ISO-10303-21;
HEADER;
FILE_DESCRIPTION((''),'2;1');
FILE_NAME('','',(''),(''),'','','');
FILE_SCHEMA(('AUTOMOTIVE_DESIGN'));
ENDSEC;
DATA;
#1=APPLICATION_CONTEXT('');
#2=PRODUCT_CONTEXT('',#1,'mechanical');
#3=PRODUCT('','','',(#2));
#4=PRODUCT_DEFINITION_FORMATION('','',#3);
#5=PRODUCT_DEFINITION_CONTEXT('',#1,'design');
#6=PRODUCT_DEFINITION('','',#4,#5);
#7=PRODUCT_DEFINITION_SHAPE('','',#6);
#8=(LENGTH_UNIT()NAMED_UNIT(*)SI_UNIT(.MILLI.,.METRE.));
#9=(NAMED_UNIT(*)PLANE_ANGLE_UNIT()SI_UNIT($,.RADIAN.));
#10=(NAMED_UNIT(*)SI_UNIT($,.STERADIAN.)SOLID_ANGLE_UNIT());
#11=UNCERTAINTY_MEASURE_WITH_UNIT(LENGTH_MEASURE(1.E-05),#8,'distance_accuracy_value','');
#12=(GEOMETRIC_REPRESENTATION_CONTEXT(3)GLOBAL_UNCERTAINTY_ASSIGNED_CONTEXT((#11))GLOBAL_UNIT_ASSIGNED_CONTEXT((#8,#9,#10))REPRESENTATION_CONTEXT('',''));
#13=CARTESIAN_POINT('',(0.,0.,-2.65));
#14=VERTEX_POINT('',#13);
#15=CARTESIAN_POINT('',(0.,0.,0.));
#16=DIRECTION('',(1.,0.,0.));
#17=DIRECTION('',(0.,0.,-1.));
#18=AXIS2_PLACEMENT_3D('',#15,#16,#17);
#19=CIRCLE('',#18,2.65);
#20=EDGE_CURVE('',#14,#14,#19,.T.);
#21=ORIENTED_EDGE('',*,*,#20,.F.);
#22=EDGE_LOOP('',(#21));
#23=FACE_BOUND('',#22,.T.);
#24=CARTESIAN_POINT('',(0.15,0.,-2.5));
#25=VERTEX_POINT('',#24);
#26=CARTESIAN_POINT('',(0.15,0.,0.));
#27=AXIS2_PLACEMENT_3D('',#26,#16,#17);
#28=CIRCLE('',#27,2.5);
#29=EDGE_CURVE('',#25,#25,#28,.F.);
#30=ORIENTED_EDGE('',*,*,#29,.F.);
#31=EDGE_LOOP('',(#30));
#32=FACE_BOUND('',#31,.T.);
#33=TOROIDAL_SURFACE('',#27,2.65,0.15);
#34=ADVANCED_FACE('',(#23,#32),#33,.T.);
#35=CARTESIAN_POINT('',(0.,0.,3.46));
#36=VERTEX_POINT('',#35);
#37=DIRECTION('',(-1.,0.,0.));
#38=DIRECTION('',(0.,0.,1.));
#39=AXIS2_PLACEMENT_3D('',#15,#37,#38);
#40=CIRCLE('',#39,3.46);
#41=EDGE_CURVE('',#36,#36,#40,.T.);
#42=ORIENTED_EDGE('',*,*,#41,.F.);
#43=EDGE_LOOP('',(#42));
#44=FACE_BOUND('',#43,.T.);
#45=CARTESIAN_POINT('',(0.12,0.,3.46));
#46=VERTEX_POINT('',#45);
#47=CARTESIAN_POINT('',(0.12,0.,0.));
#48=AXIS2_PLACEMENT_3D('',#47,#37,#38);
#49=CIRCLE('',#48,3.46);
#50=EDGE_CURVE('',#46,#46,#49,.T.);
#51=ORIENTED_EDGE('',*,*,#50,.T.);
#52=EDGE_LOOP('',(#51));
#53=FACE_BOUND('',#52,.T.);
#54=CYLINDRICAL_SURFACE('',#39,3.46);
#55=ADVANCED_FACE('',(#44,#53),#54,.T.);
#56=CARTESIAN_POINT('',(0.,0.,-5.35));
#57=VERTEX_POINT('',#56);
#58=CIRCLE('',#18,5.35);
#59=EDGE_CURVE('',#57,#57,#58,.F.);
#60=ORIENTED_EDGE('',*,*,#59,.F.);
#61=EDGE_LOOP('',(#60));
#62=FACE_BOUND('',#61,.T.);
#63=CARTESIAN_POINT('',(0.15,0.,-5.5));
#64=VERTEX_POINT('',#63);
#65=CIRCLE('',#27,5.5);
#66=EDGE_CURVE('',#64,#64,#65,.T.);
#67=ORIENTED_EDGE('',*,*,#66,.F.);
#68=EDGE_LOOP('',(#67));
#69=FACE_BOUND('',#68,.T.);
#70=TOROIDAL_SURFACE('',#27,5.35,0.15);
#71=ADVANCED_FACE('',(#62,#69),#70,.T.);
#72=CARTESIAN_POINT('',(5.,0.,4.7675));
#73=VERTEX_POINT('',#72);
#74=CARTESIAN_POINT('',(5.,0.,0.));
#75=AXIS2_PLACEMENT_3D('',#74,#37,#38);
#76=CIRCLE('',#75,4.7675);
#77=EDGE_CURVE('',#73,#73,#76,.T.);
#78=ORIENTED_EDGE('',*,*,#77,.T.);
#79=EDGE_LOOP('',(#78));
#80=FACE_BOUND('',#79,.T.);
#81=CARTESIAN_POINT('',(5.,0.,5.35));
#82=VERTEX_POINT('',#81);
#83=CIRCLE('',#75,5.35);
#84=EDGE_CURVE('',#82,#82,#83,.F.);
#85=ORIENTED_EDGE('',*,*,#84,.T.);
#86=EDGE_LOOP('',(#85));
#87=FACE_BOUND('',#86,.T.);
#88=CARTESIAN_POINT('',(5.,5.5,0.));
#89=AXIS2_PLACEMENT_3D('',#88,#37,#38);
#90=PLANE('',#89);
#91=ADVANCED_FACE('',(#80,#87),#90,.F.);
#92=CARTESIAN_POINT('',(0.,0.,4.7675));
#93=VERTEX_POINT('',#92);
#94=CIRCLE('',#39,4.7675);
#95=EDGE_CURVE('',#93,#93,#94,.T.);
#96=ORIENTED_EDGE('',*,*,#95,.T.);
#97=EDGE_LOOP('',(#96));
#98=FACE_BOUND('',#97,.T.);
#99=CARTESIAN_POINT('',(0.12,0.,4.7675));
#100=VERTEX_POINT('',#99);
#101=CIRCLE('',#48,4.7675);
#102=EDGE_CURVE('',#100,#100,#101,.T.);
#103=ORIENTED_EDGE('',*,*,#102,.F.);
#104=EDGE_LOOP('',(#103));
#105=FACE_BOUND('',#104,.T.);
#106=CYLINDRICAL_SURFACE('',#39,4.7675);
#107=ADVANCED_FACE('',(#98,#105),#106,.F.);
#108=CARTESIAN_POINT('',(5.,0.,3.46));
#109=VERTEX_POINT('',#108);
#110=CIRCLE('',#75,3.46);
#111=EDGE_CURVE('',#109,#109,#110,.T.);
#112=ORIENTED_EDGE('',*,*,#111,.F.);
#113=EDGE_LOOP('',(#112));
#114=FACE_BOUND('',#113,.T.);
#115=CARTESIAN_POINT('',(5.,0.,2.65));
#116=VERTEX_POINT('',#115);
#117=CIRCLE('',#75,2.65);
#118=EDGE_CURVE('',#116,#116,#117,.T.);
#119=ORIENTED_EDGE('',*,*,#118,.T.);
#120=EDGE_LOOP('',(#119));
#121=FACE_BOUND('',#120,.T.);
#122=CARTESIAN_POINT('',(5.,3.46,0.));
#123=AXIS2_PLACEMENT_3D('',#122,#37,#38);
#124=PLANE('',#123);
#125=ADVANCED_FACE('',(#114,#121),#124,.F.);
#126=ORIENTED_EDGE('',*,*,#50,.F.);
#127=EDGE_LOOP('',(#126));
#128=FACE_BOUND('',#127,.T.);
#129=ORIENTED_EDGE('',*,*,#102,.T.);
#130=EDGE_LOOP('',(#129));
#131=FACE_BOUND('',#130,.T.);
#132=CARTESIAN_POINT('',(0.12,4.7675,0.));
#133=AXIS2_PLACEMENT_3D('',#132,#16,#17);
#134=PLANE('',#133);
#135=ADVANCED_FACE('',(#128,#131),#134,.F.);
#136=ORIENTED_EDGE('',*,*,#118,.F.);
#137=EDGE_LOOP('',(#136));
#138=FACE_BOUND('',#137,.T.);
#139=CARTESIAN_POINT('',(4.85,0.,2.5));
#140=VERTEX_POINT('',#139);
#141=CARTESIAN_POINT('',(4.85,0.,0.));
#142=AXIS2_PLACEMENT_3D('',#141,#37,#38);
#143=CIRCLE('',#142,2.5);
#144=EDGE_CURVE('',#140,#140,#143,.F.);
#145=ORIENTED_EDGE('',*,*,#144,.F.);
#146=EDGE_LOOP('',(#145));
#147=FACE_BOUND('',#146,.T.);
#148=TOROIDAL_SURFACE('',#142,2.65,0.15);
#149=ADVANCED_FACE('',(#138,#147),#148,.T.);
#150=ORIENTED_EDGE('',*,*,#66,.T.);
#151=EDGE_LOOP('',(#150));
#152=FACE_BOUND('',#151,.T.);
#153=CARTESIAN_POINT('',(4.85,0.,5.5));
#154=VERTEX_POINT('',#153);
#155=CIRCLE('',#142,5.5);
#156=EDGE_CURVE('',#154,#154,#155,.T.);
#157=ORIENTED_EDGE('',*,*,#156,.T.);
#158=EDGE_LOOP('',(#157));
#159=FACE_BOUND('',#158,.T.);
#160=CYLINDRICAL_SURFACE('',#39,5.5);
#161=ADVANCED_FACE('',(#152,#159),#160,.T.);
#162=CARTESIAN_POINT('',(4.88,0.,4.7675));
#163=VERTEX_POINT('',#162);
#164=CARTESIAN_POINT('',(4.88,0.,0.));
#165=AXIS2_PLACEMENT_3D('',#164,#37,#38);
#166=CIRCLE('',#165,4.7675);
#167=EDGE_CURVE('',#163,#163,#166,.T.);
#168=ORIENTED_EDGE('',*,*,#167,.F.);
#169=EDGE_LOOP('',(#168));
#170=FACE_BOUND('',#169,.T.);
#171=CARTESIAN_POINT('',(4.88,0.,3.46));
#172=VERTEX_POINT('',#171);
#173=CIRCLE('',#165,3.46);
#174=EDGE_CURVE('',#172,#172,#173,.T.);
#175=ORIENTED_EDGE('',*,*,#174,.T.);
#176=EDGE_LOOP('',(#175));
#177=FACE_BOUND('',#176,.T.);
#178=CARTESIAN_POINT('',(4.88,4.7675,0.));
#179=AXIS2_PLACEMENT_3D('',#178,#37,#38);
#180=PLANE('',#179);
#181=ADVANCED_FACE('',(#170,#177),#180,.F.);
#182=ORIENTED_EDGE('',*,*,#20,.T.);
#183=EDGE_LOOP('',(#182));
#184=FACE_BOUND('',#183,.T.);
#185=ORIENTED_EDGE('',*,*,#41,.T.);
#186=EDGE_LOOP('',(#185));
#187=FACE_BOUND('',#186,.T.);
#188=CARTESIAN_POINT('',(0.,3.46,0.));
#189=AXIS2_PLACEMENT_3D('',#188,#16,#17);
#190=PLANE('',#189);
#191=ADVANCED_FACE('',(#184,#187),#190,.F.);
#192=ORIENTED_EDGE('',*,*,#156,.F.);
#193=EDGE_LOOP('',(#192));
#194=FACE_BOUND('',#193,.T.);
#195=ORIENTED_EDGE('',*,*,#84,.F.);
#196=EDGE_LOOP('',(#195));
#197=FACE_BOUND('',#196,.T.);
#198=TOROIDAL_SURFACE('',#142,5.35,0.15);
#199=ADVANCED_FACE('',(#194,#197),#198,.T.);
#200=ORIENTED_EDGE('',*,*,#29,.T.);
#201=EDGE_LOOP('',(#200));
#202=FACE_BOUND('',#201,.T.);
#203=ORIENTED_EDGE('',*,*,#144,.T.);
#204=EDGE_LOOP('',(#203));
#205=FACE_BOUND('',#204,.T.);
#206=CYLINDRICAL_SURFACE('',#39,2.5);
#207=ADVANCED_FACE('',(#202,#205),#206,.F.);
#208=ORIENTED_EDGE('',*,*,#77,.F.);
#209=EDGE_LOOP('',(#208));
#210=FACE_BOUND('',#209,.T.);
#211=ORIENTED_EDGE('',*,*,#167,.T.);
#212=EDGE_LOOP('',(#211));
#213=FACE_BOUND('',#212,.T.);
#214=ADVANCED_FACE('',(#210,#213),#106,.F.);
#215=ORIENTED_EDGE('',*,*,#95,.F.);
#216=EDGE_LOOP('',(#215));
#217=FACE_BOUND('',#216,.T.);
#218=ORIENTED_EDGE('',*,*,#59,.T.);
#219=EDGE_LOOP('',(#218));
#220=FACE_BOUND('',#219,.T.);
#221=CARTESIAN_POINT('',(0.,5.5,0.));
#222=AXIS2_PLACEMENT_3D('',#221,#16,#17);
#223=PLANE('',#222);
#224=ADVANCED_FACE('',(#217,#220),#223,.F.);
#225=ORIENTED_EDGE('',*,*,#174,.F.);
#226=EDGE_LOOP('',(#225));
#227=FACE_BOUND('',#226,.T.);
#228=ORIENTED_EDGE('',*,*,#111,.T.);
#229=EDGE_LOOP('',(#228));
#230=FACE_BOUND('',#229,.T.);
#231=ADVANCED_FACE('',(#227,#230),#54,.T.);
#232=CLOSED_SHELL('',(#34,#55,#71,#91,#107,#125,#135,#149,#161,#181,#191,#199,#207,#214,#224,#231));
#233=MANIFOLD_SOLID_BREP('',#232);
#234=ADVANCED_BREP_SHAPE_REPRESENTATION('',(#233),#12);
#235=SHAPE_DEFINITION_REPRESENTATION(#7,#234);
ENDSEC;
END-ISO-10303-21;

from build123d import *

# Parameters (mm, degrees)
FILLET1_R = 0.15
FILLET2_R = 0.15


with BuildPart() as part:
    # Sketch1 → Revolve1 (revolve)
    with BuildSketch(Plane.XY):
        Polygon((0, 2.5), (5, 2.5), (5, 3.46), (4.88, 3.46), (4.88, 4.7675), (5, 4.7675), (5, 5.5), (0, 5.5), (0, 4.7675), (0.12, 4.7675), (0.12, 3.46), (0, 3.46), align=None)
    revolve(axis=Axis((0, 0, 0), (1, 0, 0)))

    # Fillet1
    fillet1_edges = [part.edges().sort_by_distance(p)[0] for p in [
        (0, -5.5, 0),
        (5, -5.5, 0),
    ]]
    fillet(fillet1_edges, radius=FILLET1_R)

    # Fillet2
    fillet2_edges = [part.edges().sort_by_distance(p)[0] for p in [
        (5, -2.5, 0),
        (0, -2.5, 0),
    ]]
    fillet(fillet2_edges, radius=FILLET2_R)


solid = part.part
